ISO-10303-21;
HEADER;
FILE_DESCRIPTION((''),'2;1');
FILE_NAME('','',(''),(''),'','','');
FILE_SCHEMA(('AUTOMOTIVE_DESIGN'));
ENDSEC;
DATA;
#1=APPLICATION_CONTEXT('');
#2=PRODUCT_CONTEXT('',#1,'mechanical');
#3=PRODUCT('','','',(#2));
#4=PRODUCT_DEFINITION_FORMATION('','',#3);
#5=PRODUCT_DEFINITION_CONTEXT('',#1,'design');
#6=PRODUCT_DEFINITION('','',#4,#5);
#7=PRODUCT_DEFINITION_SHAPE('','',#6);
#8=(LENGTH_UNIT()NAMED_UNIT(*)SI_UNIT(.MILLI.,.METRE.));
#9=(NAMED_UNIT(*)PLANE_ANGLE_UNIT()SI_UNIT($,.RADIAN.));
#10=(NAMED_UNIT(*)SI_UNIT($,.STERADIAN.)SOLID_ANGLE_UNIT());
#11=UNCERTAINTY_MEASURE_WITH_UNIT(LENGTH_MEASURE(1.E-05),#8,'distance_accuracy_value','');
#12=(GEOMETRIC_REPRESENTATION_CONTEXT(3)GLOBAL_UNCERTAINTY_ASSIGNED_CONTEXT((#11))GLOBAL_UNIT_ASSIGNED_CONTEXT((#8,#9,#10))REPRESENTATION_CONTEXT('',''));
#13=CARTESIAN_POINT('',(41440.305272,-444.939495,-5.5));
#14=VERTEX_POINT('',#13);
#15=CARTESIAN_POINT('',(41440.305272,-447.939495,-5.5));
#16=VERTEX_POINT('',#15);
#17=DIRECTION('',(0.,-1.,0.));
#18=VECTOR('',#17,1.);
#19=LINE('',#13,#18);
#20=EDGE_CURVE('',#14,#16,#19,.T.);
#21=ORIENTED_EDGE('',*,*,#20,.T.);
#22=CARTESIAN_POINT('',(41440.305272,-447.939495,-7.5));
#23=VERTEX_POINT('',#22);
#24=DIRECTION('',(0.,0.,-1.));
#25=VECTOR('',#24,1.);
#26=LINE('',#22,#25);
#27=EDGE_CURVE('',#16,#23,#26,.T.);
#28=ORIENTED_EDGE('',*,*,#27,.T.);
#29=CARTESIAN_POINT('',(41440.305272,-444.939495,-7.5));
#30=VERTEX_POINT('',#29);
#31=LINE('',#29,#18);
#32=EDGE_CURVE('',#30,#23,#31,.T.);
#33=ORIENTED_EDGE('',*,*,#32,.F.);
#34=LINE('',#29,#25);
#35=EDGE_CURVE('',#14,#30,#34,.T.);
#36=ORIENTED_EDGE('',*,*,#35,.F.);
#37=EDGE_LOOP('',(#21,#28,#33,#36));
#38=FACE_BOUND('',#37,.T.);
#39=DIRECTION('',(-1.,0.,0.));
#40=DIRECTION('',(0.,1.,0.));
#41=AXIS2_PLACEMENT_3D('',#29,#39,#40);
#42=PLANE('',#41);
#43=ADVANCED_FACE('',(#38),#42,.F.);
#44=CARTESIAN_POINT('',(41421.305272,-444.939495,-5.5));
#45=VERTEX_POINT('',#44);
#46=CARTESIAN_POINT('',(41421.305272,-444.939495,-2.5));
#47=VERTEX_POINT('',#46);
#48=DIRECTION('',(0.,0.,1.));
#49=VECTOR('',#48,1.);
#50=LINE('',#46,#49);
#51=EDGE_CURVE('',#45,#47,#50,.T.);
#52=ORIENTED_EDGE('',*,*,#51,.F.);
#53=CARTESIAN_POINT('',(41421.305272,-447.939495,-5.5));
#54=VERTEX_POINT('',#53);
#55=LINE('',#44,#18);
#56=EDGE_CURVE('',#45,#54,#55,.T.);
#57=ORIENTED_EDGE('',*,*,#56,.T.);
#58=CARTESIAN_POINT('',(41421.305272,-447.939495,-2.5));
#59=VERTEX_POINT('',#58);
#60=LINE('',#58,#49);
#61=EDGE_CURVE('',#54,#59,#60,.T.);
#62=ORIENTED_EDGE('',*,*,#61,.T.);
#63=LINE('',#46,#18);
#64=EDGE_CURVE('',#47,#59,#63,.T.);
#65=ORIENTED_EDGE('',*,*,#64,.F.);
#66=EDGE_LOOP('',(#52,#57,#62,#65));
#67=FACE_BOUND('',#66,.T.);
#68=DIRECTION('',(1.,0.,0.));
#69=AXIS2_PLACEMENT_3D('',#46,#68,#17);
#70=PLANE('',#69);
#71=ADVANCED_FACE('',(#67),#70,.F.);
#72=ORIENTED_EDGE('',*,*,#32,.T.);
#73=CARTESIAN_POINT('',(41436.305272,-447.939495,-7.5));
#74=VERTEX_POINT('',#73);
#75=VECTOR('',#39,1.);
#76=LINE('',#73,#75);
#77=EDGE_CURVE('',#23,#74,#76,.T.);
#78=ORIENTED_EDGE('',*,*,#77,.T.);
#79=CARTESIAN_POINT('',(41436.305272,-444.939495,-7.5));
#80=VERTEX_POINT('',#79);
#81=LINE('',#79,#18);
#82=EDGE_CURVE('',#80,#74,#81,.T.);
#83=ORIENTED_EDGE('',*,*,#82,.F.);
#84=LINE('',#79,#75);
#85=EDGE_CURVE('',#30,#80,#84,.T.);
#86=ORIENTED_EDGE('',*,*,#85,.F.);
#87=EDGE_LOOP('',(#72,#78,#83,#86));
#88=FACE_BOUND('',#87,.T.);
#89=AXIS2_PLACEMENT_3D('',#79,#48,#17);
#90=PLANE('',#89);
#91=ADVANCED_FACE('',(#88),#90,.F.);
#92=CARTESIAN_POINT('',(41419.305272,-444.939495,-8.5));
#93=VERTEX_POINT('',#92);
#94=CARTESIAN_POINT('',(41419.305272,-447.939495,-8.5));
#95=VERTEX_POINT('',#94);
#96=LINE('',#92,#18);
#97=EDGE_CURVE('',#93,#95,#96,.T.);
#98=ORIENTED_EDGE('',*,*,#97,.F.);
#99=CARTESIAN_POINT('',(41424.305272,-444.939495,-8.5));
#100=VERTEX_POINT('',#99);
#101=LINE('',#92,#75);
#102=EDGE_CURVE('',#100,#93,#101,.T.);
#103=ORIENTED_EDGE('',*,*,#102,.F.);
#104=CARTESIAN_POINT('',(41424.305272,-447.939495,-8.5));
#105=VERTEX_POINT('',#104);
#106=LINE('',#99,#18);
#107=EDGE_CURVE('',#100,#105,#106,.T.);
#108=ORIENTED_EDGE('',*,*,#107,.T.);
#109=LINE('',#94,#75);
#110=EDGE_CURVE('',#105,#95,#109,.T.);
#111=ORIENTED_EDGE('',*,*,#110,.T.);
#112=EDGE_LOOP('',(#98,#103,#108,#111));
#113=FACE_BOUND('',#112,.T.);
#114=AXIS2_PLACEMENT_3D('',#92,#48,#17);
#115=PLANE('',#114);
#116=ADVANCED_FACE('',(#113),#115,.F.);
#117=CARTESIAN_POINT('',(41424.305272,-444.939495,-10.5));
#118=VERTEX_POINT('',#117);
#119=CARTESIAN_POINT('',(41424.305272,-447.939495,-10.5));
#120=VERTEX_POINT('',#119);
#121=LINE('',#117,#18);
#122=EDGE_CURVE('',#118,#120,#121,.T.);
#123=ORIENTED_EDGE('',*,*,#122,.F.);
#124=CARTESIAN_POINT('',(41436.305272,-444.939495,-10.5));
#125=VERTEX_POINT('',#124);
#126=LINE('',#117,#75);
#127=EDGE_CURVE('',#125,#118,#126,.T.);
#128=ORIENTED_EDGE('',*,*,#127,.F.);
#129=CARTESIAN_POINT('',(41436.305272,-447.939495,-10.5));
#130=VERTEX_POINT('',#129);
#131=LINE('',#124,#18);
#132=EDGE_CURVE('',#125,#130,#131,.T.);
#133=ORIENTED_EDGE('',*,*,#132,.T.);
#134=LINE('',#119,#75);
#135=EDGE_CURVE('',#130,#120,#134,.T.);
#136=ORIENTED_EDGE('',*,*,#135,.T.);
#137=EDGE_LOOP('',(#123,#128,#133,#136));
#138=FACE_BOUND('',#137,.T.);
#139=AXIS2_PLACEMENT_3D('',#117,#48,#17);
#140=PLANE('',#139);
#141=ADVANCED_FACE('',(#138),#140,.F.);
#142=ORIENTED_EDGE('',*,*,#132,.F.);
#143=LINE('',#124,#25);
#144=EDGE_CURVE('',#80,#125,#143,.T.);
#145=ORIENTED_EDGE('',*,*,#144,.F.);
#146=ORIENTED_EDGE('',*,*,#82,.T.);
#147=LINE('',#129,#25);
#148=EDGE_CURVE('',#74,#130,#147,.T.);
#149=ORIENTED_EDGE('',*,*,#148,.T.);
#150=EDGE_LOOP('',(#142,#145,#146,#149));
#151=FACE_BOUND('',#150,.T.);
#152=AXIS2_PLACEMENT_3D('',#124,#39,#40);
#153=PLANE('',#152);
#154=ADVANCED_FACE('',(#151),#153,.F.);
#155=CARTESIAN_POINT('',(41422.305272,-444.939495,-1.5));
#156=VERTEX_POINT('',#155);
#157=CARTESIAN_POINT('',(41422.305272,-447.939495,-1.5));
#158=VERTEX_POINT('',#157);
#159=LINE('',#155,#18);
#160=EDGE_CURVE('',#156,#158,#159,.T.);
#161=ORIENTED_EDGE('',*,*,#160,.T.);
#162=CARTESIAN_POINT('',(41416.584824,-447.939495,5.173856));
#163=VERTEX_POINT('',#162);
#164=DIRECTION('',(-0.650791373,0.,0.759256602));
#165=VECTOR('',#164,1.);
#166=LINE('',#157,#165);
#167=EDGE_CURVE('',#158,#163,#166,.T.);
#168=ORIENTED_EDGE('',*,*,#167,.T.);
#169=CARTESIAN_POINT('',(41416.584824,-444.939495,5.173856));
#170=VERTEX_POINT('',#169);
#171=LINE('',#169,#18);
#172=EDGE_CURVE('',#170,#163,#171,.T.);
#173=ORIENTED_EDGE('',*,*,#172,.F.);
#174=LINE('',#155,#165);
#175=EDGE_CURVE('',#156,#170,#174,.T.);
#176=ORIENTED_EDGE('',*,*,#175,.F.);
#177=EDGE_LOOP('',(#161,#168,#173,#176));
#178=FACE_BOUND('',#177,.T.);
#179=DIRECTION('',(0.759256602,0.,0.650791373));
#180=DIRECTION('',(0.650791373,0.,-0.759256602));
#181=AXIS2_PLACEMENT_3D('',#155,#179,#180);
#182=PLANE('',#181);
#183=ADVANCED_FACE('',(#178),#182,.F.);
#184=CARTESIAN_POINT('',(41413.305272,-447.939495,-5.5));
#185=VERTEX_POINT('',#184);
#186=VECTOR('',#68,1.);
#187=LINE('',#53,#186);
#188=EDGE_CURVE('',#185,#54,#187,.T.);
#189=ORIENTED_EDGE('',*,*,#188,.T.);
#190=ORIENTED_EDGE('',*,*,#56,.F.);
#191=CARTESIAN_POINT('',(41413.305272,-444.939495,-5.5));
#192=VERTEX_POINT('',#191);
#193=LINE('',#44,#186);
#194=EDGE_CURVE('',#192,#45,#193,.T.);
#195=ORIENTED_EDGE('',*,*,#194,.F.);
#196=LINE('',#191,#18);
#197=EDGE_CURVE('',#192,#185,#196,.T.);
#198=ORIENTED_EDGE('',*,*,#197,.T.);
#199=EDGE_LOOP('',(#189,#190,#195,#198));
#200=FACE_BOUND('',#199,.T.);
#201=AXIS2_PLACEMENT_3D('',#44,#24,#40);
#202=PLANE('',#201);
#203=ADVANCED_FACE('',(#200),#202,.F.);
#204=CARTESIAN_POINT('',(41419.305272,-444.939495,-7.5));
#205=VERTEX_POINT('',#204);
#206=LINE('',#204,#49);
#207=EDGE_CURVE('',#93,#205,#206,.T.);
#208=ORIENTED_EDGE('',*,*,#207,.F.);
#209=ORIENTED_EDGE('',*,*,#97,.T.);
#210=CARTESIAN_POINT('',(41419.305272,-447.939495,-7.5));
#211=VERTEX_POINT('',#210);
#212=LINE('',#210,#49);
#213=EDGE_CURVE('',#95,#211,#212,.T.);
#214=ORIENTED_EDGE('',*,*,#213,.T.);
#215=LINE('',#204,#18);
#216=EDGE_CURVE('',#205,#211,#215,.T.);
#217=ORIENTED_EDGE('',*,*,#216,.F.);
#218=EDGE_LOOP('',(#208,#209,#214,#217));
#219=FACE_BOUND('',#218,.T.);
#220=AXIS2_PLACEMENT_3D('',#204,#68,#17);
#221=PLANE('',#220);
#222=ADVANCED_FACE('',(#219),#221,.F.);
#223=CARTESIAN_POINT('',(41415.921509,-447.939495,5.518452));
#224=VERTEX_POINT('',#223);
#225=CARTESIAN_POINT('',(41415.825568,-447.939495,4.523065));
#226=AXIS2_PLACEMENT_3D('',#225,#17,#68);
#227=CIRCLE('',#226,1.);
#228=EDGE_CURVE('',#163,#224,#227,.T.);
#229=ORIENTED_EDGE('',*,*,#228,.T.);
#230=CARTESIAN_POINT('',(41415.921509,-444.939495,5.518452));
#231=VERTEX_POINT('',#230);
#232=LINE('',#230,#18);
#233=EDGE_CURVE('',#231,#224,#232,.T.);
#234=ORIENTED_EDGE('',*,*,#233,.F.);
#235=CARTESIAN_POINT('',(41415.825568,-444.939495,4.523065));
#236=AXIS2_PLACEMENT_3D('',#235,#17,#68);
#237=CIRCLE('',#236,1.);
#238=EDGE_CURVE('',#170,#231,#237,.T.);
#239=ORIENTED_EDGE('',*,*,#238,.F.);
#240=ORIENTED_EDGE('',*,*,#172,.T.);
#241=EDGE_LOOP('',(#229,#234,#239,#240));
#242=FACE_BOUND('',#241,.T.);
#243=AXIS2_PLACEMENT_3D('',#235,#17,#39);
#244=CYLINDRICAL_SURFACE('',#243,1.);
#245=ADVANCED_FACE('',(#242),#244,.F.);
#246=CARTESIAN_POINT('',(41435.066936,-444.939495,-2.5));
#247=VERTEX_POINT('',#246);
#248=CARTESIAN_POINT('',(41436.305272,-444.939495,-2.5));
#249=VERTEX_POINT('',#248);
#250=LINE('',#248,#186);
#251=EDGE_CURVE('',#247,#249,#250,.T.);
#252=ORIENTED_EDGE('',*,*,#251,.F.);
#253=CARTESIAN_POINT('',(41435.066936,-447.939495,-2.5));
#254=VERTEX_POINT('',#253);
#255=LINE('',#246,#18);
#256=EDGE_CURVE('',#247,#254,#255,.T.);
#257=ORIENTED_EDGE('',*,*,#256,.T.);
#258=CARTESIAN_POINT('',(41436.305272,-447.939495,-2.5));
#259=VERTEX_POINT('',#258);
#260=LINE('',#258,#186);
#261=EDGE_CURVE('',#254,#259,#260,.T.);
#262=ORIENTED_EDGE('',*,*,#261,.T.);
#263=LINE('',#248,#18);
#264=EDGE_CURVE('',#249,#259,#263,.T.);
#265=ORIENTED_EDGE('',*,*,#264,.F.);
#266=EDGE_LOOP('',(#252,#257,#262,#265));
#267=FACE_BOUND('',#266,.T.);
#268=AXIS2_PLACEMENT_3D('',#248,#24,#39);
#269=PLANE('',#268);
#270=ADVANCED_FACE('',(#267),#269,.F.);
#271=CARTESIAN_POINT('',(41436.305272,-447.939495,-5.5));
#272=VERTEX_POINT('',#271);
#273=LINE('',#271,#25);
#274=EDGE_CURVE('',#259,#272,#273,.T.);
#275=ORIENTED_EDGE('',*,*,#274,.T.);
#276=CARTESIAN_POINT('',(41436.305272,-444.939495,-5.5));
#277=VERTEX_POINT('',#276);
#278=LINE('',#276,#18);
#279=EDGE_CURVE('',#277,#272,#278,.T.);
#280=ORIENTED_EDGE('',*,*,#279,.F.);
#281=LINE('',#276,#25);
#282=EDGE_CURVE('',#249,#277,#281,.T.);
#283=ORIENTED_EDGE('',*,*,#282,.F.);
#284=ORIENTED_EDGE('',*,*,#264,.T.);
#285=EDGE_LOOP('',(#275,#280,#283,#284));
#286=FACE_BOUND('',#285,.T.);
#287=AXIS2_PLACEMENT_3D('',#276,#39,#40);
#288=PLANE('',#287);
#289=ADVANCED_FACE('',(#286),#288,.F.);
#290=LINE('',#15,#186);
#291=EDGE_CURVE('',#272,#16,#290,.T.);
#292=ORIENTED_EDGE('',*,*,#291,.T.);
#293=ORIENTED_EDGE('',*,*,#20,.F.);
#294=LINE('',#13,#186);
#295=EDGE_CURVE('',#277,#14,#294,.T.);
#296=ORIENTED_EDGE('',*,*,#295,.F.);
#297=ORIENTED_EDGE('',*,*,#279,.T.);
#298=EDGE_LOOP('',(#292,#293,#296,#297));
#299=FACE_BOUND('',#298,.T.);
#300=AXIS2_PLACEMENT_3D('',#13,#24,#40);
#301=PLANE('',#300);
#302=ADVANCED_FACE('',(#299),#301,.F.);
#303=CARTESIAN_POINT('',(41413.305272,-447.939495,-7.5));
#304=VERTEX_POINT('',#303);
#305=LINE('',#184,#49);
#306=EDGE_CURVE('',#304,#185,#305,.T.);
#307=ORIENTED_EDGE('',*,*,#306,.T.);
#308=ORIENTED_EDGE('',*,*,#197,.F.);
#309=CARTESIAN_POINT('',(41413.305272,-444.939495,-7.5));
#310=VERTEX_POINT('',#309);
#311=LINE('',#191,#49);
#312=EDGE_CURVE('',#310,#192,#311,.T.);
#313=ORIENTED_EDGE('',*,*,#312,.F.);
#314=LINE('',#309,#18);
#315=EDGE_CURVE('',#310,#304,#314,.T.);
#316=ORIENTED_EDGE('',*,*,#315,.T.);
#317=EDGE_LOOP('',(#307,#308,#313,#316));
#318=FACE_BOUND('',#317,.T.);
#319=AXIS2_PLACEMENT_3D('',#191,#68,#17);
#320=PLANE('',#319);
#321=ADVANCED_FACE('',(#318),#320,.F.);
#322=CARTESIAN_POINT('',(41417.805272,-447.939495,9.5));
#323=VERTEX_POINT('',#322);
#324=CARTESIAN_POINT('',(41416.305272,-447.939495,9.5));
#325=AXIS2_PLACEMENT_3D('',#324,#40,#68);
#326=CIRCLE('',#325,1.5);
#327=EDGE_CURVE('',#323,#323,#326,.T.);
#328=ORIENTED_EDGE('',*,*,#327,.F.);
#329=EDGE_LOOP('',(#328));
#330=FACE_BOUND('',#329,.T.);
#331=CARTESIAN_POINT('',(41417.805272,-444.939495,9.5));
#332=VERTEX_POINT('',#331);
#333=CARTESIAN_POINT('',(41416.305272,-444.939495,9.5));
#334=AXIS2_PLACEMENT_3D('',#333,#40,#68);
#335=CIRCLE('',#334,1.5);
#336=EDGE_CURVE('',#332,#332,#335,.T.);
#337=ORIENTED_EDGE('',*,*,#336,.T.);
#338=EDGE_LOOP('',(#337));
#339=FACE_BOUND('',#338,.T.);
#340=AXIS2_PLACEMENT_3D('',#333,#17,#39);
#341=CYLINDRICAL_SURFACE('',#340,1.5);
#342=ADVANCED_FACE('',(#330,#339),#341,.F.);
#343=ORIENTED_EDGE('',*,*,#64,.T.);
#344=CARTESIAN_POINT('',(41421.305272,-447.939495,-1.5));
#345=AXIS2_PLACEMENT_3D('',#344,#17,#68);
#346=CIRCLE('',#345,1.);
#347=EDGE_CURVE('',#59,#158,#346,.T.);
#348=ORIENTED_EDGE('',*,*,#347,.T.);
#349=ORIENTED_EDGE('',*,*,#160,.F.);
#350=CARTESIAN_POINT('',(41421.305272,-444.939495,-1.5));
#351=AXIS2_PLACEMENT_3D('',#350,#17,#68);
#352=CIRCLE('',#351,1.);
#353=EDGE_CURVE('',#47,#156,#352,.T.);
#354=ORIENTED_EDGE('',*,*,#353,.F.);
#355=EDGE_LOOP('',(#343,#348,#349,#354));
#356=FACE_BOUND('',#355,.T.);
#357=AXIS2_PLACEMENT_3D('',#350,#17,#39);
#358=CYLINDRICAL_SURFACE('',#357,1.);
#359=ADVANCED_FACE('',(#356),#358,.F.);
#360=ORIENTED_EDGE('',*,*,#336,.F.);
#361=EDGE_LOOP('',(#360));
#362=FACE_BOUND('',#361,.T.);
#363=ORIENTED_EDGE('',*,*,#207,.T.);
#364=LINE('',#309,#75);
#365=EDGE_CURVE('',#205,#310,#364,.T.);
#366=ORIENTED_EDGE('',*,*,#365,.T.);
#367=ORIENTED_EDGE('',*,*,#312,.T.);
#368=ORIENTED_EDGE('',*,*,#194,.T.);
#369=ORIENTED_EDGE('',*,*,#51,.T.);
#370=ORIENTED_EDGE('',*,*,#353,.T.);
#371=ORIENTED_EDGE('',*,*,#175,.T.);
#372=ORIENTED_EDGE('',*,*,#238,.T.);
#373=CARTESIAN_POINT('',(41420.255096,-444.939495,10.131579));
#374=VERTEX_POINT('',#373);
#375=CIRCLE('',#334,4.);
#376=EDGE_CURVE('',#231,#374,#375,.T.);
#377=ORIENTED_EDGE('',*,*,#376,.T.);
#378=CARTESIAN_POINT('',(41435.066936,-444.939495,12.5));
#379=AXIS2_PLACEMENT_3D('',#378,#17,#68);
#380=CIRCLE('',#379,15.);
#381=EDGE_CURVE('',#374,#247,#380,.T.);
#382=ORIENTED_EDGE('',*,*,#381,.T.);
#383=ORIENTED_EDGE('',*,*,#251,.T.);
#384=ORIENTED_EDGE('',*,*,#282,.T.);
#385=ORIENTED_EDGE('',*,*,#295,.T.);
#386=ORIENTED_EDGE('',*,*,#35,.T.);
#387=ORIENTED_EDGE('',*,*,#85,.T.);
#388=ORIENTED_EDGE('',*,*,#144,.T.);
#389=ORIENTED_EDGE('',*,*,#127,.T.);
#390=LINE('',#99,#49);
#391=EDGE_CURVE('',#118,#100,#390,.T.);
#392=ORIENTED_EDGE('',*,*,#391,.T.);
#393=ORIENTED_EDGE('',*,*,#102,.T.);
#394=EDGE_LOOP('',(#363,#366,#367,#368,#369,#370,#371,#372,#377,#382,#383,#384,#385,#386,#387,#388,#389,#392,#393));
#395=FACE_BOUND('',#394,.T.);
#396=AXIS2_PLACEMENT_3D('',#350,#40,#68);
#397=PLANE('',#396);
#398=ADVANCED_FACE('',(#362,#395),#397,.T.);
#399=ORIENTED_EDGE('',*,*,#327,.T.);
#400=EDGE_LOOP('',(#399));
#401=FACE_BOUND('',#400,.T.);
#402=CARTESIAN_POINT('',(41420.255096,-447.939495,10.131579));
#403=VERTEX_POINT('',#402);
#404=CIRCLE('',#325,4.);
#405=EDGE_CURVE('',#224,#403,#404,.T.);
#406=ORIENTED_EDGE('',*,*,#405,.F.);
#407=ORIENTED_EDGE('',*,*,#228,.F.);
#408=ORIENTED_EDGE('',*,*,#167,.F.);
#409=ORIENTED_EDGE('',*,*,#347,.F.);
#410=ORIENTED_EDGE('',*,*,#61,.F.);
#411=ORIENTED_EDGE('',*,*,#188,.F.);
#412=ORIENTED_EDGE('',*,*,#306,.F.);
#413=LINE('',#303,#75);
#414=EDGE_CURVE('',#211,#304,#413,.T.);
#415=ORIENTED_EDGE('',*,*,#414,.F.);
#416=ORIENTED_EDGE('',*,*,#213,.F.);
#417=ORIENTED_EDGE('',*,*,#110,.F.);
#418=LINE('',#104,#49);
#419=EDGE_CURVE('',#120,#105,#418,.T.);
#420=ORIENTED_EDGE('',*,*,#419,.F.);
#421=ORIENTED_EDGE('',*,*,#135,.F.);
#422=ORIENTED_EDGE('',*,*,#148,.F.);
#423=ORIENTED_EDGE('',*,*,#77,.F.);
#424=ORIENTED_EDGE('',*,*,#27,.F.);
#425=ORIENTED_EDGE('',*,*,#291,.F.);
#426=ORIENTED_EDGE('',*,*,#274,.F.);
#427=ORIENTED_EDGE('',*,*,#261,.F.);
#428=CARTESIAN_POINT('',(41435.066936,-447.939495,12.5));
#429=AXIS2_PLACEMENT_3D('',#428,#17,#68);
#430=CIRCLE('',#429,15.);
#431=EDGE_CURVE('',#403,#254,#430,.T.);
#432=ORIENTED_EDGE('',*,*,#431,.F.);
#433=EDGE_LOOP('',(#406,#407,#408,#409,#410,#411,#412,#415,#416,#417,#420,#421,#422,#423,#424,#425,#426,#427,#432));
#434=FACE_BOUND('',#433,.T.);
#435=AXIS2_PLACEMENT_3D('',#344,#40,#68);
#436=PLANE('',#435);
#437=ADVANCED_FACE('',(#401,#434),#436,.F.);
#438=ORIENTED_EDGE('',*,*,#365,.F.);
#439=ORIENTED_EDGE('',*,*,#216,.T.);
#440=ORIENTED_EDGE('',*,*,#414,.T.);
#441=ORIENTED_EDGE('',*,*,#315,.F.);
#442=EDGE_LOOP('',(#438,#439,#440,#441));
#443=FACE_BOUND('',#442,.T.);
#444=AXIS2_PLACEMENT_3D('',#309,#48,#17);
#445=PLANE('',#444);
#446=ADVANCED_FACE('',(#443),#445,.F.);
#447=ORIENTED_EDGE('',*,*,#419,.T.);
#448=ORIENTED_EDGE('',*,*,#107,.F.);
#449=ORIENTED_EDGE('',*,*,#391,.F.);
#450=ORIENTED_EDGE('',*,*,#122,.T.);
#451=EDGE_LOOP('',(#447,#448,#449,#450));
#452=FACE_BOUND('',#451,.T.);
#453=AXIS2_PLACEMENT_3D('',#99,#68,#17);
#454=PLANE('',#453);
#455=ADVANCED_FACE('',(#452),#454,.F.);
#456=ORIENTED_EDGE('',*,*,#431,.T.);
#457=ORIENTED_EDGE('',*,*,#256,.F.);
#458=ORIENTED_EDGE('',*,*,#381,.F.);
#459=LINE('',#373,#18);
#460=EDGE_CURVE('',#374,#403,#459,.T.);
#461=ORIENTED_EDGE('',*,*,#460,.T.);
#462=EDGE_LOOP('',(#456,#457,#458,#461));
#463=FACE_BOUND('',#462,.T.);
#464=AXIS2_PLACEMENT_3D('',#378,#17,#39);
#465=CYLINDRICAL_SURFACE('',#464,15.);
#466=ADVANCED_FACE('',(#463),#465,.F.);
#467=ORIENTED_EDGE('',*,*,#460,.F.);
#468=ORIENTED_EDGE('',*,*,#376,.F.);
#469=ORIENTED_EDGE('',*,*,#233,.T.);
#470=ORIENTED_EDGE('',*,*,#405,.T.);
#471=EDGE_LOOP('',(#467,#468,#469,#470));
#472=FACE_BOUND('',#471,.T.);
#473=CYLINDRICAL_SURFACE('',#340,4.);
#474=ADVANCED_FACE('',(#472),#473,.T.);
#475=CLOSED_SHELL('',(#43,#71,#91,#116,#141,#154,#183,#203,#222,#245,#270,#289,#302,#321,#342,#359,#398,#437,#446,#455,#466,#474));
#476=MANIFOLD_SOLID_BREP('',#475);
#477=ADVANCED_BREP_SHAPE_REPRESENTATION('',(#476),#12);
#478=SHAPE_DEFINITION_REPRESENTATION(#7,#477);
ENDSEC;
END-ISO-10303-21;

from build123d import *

# Parameters (mm, degrees)
CROQUIS1_R                 = 1.5
SALIENTE_EXTRUIR1_DEPTH    = 3
S_LIDO_MOVER_COPIAR1_ANGLE = 90


with BuildPart() as part:
    # Croquis1 → Saliente-Extruir1 (new body)
    with BuildSketch(Plane.XY):
        with BuildLine():
            Line((41421.305272486, -442.43949549), (41421.305272486, -439.43949549))
            Line((41421.305272486, -439.43949549), (41413.305272486, -439.43949549))
            Line((41413.305272486, -439.43949549), (41413.305272486, -437.43949549))
            Line((41413.305272486, -437.43949549), (41419.305272486, -437.43949549))
            Line((41419.305272486, -437.43949549), (41419.305272486, -436.43949549))
            Line((41419.305272486, -436.43949549), (41424.305272486, -436.43949549))
            Line((41424.305272486, -436.43949549), (41424.305272486, -434.43949549))
            Line((41424.305272486, -434.43949549), (41436.305272486, -434.43949549))
            Line((41436.305272486, -434.43949549), (41436.305272486, -437.43949549))
            Line((41436.305272486, -437.43949549), (41440.305272486, -437.43949549))
            Line((41440.305272486, -437.43949549), (41440.305272486, -439.43949549))
            Line((41440.305272486, -439.43949549), (41436.305272486, -439.43949549))
            Line((41436.305272486, -439.43949549), (41436.305272486, -442.43949549))
            Line((41436.305272486, -442.43949549), (41435.066935525, -442.43949549))
            ThreePointArc((41435.066935525, -442.43949549), (41425.333650257, -446.026206837), (41420.255096284, -455.071074438))
            ThreePointArc((41420.255096284, -455.071074438), (41413.38989409, -457.178212126), (41415.921508638, -450.457947386))
            ThreePointArc((41415.921508638, -450.457947386), (41416.286574465, -450.349956968), (41416.584824278, -450.113351733))
            Line((41416.584824278, -450.113351733), (41422.305272486, -443.43949549))
            ThreePointArc((41422.305272486, -443.43949549), (41422.012379267, -442.732388709), (41421.305272486, -442.43949549))
        make_face()
        with Locations((41416.305272486, -454.43949549)):
            Circle(CROQUIS1_R, mode=Mode.SUBTRACT)
    extrude(amount=SALIENTE_EXTRUIR1_DEPTH)


with BuildPart() as part_1:
    # Sólido-Mover/Copiar1: moved
    add(part.part.rotate(Axis((0, -446.43949549, 1.5), (-1, 0, 0)), S_LIDO_MOVER_COPIAR1_ANGLE))


solid = part_1.part
